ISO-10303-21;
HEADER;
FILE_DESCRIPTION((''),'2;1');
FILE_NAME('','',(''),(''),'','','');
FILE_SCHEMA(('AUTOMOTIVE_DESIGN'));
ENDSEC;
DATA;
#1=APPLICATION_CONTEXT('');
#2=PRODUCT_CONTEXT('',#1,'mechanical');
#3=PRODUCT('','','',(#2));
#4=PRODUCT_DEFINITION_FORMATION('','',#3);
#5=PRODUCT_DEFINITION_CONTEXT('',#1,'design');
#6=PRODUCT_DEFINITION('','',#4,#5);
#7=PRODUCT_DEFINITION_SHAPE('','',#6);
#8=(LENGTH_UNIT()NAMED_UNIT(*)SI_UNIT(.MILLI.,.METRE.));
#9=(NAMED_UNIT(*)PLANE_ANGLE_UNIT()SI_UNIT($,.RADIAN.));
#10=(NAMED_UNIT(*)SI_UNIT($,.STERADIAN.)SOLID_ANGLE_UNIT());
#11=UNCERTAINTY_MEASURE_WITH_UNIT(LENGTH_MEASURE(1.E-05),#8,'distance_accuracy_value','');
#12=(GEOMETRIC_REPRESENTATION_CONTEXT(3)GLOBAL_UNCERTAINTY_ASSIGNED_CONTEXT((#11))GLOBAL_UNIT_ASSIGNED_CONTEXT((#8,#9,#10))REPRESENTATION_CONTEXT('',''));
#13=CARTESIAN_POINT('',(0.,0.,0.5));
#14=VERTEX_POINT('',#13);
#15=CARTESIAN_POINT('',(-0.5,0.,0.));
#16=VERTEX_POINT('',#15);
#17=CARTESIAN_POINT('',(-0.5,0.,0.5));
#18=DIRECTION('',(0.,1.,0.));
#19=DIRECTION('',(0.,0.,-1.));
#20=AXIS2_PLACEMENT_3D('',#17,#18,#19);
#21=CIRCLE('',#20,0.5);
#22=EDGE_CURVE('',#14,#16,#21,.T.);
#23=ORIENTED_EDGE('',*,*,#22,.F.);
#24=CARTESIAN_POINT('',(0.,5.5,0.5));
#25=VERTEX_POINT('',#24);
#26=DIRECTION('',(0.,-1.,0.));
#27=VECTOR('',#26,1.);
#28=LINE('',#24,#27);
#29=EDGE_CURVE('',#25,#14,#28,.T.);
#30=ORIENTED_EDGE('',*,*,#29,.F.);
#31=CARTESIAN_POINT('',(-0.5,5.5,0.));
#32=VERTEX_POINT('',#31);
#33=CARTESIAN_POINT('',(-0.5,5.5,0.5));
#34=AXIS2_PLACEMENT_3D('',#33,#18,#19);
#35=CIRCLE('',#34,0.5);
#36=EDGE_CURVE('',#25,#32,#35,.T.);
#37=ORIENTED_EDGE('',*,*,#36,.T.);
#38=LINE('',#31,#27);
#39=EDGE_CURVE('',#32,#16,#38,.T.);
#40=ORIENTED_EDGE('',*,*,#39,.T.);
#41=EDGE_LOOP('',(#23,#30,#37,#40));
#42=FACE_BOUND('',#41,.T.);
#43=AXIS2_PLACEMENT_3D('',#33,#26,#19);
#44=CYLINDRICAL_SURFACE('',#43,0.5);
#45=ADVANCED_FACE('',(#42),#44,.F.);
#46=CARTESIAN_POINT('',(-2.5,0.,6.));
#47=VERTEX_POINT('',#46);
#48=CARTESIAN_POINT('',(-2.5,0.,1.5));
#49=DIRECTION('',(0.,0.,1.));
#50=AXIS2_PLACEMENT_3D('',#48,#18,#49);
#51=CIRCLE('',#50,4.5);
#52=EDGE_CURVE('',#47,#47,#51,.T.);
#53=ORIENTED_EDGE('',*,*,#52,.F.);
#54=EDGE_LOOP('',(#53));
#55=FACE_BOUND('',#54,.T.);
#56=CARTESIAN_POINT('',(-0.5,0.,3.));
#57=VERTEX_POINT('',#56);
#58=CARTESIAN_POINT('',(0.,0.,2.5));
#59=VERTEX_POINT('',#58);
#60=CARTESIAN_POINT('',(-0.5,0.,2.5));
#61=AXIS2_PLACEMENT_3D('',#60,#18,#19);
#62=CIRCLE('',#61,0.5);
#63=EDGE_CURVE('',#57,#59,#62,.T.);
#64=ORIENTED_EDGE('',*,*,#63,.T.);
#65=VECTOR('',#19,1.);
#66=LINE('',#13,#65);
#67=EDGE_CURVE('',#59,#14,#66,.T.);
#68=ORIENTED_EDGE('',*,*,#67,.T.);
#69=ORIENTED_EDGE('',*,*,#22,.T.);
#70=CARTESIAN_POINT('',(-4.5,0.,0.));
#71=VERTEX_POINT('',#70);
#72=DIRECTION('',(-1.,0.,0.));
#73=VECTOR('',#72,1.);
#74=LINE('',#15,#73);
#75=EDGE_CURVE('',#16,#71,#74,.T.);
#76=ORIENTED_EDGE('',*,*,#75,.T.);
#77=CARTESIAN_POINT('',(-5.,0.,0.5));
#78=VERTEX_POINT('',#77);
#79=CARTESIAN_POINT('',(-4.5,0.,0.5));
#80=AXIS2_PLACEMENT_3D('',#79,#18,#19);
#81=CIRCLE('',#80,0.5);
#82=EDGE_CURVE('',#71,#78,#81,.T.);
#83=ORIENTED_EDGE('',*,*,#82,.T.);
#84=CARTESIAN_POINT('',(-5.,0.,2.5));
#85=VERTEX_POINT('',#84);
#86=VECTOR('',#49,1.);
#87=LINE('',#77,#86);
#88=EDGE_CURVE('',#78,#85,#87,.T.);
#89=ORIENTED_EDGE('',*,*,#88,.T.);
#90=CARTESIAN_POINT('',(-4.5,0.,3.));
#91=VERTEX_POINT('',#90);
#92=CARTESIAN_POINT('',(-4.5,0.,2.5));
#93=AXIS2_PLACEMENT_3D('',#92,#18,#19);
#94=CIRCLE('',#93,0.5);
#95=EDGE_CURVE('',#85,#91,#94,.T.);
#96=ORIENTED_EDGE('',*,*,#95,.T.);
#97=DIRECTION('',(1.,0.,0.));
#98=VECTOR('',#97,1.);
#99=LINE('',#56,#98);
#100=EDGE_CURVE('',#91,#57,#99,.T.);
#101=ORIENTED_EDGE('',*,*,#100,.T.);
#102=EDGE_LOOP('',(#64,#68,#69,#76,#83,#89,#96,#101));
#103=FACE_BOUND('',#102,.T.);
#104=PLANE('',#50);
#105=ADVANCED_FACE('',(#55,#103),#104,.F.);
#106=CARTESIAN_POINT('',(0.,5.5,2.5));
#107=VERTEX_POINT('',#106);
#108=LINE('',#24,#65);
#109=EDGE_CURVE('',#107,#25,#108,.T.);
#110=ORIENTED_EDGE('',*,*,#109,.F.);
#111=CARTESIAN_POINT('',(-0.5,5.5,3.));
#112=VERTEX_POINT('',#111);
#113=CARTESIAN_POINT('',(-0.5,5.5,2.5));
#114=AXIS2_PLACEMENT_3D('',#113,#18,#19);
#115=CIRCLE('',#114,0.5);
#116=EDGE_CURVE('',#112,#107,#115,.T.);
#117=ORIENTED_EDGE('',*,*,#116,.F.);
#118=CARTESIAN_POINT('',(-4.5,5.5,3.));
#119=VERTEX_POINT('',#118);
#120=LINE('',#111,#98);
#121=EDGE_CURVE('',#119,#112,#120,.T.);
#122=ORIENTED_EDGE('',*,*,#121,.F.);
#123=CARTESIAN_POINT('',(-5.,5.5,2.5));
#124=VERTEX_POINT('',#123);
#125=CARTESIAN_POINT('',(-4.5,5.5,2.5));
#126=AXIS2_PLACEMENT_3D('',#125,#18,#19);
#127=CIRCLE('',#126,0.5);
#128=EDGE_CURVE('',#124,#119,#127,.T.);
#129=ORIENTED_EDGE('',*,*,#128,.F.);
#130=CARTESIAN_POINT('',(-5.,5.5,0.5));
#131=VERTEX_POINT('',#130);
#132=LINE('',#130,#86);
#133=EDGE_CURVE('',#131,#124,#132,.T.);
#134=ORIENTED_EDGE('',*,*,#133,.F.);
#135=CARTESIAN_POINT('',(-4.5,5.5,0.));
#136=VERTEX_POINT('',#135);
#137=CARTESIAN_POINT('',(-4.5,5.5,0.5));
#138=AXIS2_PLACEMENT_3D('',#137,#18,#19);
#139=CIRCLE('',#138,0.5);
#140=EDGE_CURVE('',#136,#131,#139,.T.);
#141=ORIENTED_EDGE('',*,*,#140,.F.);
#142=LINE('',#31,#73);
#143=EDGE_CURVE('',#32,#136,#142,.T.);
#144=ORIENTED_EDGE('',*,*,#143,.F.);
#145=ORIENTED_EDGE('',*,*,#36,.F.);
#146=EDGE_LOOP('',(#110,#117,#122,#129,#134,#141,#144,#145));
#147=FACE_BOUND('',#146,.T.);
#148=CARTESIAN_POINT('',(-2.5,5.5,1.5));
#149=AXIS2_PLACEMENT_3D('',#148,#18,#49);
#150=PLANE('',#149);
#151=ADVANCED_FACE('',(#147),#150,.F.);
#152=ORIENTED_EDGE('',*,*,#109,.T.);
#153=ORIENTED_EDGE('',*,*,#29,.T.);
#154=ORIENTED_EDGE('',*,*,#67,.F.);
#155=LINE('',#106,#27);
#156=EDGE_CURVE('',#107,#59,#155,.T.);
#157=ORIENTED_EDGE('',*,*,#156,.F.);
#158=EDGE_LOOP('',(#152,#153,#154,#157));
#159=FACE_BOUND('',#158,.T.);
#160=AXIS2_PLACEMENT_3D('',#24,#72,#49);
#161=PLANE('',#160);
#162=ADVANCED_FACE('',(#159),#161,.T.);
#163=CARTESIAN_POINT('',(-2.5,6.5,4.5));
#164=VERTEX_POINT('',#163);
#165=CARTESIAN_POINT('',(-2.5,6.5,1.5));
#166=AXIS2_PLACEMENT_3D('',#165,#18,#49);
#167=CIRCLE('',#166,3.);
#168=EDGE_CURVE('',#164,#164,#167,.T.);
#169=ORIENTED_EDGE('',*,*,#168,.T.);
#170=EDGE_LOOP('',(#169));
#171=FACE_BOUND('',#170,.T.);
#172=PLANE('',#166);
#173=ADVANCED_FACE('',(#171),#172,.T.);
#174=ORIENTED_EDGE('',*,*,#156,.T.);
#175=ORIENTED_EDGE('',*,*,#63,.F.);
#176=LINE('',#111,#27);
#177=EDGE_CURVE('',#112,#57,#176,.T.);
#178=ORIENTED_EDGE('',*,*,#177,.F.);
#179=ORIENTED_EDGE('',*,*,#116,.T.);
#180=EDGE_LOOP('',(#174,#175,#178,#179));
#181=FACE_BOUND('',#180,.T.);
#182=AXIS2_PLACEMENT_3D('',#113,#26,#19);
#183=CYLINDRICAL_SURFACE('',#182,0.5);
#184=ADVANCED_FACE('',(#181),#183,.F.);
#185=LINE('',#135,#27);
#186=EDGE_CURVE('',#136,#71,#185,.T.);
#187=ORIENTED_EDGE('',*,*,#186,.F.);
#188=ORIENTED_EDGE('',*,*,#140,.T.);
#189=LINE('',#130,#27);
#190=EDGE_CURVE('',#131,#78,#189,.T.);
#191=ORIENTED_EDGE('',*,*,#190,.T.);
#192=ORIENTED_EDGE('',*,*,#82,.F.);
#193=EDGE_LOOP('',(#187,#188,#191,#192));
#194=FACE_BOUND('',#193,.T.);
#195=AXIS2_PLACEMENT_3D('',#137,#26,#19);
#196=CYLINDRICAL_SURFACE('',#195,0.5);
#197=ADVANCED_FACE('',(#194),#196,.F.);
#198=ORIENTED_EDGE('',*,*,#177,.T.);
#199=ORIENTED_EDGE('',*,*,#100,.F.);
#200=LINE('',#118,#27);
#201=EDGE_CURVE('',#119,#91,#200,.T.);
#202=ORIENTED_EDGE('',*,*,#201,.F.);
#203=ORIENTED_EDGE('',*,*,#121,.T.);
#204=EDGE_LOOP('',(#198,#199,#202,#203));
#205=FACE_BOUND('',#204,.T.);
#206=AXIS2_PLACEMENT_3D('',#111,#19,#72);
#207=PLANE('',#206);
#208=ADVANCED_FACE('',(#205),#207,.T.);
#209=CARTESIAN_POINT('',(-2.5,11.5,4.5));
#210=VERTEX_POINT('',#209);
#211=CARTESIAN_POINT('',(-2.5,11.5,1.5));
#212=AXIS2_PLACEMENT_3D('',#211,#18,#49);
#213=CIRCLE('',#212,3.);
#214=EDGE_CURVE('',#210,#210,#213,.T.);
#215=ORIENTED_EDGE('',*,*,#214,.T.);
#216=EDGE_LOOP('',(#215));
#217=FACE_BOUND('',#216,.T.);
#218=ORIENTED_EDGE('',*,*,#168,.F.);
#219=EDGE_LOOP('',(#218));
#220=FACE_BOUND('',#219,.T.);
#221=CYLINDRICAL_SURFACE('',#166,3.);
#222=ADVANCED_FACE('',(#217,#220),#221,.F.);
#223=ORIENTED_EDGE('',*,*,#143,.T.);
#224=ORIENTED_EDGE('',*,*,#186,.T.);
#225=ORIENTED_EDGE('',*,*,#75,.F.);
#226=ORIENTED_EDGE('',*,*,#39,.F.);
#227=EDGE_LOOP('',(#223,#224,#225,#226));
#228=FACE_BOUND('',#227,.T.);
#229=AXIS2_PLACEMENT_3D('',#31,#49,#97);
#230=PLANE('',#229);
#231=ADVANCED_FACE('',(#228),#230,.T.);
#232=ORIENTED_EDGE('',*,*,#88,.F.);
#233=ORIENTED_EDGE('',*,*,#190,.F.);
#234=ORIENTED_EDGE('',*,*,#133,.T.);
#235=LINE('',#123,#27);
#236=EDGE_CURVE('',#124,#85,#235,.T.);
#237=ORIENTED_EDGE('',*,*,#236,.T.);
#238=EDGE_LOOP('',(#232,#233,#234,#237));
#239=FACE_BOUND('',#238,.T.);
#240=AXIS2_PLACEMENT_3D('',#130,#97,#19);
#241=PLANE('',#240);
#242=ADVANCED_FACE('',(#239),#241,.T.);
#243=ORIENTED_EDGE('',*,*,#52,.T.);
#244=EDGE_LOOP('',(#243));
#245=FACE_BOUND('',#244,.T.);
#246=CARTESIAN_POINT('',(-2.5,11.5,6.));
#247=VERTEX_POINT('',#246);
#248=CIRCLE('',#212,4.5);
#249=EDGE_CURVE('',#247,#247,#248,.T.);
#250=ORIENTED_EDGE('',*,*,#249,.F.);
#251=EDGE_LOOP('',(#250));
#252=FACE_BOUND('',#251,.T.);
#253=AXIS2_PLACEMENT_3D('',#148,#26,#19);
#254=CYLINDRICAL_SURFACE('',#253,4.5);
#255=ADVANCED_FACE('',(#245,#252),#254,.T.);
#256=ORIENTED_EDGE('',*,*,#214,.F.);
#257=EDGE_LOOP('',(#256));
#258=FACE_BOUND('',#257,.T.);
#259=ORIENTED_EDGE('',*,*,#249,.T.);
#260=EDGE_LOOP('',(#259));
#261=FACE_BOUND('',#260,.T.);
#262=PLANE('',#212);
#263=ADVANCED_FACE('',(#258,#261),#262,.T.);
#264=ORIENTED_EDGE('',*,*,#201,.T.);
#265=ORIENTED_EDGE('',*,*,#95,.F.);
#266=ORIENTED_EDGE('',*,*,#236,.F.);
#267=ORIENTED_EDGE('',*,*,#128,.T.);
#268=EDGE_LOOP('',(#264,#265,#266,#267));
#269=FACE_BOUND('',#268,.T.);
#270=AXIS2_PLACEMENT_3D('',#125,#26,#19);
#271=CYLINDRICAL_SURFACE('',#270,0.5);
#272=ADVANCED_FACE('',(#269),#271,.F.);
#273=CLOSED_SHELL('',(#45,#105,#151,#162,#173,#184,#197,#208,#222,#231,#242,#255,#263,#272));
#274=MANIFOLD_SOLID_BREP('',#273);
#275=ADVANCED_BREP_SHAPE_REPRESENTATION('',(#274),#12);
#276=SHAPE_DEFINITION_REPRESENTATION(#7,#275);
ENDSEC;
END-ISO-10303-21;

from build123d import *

# Parameters (mm, degrees)
SKETCH1_R           = 4.5
BOSS_EXTRUDE1_DEPTH = 5.5
SKETCH2_R           = 4.5
BOSS_EXTRUDE2_DEPTH = 6
SKETCH3_R           = 3
CUT_EXTRUDE1_DEPTH  = 5


with BuildPart() as part:
    # Sketch1 → Boss-Extrude1 (new body)
    with BuildSketch(Plane(origin=(0, 0, 0), x_dir=(1, 0, 0), z_dir=(0, 1, 0))):
        with Locations((-2.5, -1.5)):
            Circle(SKETCH1_R)
        with BuildLine():
            Line((-0.5, 0), (-4.5, 0))
            ThreePointArc((-4.5, 0), (-4.853553391, -0.146446609), (-5, -0.5))
            Line((-5, -0.5), (-5, -2.5))
            ThreePointArc((-5, -2.5), (-4.853553391, -2.853553391), (-4.5, -3))
            Line((-4.5, -3), (-0.5, -3))
            ThreePointArc((-0.5, -3), (-0.146446609, -2.853553391), (0, -2.5))
            Line((0, -2.5), (0, -0.5))
            ThreePointArc((0, -0.5), (-0.146446609, -0.146446609), (-0.5, 0))
        make_face(mode=Mode.SUBTRACT)
    extrude(amount=BOSS_EXTRUDE1_DEPTH)

    # Sketch2 → Boss-Extrude2 (add)
    with BuildSketch(Plane(origin=(0, 5.5, 0), x_dir=(1, 0, 0), z_dir=(0, 1, 0))):
        with Locations((-2.5, -1.5)):
            Circle(SKETCH2_R)
    extrude(amount=BOSS_EXTRUDE2_DEPTH)

    # Sketch3 → Cut-Extrude1 (cut)
    with BuildSketch(Plane(origin=(0, 11.5, 0), x_dir=(1, 0, 0), z_dir=(0, 1, 0))):
        with Locations((-2.5, -1.5)):
            Circle(SKETCH3_R)
    extrude(amount=-CUT_EXTRUDE1_DEPTH, mode=Mode.SUBTRACT)


solid = part.part
